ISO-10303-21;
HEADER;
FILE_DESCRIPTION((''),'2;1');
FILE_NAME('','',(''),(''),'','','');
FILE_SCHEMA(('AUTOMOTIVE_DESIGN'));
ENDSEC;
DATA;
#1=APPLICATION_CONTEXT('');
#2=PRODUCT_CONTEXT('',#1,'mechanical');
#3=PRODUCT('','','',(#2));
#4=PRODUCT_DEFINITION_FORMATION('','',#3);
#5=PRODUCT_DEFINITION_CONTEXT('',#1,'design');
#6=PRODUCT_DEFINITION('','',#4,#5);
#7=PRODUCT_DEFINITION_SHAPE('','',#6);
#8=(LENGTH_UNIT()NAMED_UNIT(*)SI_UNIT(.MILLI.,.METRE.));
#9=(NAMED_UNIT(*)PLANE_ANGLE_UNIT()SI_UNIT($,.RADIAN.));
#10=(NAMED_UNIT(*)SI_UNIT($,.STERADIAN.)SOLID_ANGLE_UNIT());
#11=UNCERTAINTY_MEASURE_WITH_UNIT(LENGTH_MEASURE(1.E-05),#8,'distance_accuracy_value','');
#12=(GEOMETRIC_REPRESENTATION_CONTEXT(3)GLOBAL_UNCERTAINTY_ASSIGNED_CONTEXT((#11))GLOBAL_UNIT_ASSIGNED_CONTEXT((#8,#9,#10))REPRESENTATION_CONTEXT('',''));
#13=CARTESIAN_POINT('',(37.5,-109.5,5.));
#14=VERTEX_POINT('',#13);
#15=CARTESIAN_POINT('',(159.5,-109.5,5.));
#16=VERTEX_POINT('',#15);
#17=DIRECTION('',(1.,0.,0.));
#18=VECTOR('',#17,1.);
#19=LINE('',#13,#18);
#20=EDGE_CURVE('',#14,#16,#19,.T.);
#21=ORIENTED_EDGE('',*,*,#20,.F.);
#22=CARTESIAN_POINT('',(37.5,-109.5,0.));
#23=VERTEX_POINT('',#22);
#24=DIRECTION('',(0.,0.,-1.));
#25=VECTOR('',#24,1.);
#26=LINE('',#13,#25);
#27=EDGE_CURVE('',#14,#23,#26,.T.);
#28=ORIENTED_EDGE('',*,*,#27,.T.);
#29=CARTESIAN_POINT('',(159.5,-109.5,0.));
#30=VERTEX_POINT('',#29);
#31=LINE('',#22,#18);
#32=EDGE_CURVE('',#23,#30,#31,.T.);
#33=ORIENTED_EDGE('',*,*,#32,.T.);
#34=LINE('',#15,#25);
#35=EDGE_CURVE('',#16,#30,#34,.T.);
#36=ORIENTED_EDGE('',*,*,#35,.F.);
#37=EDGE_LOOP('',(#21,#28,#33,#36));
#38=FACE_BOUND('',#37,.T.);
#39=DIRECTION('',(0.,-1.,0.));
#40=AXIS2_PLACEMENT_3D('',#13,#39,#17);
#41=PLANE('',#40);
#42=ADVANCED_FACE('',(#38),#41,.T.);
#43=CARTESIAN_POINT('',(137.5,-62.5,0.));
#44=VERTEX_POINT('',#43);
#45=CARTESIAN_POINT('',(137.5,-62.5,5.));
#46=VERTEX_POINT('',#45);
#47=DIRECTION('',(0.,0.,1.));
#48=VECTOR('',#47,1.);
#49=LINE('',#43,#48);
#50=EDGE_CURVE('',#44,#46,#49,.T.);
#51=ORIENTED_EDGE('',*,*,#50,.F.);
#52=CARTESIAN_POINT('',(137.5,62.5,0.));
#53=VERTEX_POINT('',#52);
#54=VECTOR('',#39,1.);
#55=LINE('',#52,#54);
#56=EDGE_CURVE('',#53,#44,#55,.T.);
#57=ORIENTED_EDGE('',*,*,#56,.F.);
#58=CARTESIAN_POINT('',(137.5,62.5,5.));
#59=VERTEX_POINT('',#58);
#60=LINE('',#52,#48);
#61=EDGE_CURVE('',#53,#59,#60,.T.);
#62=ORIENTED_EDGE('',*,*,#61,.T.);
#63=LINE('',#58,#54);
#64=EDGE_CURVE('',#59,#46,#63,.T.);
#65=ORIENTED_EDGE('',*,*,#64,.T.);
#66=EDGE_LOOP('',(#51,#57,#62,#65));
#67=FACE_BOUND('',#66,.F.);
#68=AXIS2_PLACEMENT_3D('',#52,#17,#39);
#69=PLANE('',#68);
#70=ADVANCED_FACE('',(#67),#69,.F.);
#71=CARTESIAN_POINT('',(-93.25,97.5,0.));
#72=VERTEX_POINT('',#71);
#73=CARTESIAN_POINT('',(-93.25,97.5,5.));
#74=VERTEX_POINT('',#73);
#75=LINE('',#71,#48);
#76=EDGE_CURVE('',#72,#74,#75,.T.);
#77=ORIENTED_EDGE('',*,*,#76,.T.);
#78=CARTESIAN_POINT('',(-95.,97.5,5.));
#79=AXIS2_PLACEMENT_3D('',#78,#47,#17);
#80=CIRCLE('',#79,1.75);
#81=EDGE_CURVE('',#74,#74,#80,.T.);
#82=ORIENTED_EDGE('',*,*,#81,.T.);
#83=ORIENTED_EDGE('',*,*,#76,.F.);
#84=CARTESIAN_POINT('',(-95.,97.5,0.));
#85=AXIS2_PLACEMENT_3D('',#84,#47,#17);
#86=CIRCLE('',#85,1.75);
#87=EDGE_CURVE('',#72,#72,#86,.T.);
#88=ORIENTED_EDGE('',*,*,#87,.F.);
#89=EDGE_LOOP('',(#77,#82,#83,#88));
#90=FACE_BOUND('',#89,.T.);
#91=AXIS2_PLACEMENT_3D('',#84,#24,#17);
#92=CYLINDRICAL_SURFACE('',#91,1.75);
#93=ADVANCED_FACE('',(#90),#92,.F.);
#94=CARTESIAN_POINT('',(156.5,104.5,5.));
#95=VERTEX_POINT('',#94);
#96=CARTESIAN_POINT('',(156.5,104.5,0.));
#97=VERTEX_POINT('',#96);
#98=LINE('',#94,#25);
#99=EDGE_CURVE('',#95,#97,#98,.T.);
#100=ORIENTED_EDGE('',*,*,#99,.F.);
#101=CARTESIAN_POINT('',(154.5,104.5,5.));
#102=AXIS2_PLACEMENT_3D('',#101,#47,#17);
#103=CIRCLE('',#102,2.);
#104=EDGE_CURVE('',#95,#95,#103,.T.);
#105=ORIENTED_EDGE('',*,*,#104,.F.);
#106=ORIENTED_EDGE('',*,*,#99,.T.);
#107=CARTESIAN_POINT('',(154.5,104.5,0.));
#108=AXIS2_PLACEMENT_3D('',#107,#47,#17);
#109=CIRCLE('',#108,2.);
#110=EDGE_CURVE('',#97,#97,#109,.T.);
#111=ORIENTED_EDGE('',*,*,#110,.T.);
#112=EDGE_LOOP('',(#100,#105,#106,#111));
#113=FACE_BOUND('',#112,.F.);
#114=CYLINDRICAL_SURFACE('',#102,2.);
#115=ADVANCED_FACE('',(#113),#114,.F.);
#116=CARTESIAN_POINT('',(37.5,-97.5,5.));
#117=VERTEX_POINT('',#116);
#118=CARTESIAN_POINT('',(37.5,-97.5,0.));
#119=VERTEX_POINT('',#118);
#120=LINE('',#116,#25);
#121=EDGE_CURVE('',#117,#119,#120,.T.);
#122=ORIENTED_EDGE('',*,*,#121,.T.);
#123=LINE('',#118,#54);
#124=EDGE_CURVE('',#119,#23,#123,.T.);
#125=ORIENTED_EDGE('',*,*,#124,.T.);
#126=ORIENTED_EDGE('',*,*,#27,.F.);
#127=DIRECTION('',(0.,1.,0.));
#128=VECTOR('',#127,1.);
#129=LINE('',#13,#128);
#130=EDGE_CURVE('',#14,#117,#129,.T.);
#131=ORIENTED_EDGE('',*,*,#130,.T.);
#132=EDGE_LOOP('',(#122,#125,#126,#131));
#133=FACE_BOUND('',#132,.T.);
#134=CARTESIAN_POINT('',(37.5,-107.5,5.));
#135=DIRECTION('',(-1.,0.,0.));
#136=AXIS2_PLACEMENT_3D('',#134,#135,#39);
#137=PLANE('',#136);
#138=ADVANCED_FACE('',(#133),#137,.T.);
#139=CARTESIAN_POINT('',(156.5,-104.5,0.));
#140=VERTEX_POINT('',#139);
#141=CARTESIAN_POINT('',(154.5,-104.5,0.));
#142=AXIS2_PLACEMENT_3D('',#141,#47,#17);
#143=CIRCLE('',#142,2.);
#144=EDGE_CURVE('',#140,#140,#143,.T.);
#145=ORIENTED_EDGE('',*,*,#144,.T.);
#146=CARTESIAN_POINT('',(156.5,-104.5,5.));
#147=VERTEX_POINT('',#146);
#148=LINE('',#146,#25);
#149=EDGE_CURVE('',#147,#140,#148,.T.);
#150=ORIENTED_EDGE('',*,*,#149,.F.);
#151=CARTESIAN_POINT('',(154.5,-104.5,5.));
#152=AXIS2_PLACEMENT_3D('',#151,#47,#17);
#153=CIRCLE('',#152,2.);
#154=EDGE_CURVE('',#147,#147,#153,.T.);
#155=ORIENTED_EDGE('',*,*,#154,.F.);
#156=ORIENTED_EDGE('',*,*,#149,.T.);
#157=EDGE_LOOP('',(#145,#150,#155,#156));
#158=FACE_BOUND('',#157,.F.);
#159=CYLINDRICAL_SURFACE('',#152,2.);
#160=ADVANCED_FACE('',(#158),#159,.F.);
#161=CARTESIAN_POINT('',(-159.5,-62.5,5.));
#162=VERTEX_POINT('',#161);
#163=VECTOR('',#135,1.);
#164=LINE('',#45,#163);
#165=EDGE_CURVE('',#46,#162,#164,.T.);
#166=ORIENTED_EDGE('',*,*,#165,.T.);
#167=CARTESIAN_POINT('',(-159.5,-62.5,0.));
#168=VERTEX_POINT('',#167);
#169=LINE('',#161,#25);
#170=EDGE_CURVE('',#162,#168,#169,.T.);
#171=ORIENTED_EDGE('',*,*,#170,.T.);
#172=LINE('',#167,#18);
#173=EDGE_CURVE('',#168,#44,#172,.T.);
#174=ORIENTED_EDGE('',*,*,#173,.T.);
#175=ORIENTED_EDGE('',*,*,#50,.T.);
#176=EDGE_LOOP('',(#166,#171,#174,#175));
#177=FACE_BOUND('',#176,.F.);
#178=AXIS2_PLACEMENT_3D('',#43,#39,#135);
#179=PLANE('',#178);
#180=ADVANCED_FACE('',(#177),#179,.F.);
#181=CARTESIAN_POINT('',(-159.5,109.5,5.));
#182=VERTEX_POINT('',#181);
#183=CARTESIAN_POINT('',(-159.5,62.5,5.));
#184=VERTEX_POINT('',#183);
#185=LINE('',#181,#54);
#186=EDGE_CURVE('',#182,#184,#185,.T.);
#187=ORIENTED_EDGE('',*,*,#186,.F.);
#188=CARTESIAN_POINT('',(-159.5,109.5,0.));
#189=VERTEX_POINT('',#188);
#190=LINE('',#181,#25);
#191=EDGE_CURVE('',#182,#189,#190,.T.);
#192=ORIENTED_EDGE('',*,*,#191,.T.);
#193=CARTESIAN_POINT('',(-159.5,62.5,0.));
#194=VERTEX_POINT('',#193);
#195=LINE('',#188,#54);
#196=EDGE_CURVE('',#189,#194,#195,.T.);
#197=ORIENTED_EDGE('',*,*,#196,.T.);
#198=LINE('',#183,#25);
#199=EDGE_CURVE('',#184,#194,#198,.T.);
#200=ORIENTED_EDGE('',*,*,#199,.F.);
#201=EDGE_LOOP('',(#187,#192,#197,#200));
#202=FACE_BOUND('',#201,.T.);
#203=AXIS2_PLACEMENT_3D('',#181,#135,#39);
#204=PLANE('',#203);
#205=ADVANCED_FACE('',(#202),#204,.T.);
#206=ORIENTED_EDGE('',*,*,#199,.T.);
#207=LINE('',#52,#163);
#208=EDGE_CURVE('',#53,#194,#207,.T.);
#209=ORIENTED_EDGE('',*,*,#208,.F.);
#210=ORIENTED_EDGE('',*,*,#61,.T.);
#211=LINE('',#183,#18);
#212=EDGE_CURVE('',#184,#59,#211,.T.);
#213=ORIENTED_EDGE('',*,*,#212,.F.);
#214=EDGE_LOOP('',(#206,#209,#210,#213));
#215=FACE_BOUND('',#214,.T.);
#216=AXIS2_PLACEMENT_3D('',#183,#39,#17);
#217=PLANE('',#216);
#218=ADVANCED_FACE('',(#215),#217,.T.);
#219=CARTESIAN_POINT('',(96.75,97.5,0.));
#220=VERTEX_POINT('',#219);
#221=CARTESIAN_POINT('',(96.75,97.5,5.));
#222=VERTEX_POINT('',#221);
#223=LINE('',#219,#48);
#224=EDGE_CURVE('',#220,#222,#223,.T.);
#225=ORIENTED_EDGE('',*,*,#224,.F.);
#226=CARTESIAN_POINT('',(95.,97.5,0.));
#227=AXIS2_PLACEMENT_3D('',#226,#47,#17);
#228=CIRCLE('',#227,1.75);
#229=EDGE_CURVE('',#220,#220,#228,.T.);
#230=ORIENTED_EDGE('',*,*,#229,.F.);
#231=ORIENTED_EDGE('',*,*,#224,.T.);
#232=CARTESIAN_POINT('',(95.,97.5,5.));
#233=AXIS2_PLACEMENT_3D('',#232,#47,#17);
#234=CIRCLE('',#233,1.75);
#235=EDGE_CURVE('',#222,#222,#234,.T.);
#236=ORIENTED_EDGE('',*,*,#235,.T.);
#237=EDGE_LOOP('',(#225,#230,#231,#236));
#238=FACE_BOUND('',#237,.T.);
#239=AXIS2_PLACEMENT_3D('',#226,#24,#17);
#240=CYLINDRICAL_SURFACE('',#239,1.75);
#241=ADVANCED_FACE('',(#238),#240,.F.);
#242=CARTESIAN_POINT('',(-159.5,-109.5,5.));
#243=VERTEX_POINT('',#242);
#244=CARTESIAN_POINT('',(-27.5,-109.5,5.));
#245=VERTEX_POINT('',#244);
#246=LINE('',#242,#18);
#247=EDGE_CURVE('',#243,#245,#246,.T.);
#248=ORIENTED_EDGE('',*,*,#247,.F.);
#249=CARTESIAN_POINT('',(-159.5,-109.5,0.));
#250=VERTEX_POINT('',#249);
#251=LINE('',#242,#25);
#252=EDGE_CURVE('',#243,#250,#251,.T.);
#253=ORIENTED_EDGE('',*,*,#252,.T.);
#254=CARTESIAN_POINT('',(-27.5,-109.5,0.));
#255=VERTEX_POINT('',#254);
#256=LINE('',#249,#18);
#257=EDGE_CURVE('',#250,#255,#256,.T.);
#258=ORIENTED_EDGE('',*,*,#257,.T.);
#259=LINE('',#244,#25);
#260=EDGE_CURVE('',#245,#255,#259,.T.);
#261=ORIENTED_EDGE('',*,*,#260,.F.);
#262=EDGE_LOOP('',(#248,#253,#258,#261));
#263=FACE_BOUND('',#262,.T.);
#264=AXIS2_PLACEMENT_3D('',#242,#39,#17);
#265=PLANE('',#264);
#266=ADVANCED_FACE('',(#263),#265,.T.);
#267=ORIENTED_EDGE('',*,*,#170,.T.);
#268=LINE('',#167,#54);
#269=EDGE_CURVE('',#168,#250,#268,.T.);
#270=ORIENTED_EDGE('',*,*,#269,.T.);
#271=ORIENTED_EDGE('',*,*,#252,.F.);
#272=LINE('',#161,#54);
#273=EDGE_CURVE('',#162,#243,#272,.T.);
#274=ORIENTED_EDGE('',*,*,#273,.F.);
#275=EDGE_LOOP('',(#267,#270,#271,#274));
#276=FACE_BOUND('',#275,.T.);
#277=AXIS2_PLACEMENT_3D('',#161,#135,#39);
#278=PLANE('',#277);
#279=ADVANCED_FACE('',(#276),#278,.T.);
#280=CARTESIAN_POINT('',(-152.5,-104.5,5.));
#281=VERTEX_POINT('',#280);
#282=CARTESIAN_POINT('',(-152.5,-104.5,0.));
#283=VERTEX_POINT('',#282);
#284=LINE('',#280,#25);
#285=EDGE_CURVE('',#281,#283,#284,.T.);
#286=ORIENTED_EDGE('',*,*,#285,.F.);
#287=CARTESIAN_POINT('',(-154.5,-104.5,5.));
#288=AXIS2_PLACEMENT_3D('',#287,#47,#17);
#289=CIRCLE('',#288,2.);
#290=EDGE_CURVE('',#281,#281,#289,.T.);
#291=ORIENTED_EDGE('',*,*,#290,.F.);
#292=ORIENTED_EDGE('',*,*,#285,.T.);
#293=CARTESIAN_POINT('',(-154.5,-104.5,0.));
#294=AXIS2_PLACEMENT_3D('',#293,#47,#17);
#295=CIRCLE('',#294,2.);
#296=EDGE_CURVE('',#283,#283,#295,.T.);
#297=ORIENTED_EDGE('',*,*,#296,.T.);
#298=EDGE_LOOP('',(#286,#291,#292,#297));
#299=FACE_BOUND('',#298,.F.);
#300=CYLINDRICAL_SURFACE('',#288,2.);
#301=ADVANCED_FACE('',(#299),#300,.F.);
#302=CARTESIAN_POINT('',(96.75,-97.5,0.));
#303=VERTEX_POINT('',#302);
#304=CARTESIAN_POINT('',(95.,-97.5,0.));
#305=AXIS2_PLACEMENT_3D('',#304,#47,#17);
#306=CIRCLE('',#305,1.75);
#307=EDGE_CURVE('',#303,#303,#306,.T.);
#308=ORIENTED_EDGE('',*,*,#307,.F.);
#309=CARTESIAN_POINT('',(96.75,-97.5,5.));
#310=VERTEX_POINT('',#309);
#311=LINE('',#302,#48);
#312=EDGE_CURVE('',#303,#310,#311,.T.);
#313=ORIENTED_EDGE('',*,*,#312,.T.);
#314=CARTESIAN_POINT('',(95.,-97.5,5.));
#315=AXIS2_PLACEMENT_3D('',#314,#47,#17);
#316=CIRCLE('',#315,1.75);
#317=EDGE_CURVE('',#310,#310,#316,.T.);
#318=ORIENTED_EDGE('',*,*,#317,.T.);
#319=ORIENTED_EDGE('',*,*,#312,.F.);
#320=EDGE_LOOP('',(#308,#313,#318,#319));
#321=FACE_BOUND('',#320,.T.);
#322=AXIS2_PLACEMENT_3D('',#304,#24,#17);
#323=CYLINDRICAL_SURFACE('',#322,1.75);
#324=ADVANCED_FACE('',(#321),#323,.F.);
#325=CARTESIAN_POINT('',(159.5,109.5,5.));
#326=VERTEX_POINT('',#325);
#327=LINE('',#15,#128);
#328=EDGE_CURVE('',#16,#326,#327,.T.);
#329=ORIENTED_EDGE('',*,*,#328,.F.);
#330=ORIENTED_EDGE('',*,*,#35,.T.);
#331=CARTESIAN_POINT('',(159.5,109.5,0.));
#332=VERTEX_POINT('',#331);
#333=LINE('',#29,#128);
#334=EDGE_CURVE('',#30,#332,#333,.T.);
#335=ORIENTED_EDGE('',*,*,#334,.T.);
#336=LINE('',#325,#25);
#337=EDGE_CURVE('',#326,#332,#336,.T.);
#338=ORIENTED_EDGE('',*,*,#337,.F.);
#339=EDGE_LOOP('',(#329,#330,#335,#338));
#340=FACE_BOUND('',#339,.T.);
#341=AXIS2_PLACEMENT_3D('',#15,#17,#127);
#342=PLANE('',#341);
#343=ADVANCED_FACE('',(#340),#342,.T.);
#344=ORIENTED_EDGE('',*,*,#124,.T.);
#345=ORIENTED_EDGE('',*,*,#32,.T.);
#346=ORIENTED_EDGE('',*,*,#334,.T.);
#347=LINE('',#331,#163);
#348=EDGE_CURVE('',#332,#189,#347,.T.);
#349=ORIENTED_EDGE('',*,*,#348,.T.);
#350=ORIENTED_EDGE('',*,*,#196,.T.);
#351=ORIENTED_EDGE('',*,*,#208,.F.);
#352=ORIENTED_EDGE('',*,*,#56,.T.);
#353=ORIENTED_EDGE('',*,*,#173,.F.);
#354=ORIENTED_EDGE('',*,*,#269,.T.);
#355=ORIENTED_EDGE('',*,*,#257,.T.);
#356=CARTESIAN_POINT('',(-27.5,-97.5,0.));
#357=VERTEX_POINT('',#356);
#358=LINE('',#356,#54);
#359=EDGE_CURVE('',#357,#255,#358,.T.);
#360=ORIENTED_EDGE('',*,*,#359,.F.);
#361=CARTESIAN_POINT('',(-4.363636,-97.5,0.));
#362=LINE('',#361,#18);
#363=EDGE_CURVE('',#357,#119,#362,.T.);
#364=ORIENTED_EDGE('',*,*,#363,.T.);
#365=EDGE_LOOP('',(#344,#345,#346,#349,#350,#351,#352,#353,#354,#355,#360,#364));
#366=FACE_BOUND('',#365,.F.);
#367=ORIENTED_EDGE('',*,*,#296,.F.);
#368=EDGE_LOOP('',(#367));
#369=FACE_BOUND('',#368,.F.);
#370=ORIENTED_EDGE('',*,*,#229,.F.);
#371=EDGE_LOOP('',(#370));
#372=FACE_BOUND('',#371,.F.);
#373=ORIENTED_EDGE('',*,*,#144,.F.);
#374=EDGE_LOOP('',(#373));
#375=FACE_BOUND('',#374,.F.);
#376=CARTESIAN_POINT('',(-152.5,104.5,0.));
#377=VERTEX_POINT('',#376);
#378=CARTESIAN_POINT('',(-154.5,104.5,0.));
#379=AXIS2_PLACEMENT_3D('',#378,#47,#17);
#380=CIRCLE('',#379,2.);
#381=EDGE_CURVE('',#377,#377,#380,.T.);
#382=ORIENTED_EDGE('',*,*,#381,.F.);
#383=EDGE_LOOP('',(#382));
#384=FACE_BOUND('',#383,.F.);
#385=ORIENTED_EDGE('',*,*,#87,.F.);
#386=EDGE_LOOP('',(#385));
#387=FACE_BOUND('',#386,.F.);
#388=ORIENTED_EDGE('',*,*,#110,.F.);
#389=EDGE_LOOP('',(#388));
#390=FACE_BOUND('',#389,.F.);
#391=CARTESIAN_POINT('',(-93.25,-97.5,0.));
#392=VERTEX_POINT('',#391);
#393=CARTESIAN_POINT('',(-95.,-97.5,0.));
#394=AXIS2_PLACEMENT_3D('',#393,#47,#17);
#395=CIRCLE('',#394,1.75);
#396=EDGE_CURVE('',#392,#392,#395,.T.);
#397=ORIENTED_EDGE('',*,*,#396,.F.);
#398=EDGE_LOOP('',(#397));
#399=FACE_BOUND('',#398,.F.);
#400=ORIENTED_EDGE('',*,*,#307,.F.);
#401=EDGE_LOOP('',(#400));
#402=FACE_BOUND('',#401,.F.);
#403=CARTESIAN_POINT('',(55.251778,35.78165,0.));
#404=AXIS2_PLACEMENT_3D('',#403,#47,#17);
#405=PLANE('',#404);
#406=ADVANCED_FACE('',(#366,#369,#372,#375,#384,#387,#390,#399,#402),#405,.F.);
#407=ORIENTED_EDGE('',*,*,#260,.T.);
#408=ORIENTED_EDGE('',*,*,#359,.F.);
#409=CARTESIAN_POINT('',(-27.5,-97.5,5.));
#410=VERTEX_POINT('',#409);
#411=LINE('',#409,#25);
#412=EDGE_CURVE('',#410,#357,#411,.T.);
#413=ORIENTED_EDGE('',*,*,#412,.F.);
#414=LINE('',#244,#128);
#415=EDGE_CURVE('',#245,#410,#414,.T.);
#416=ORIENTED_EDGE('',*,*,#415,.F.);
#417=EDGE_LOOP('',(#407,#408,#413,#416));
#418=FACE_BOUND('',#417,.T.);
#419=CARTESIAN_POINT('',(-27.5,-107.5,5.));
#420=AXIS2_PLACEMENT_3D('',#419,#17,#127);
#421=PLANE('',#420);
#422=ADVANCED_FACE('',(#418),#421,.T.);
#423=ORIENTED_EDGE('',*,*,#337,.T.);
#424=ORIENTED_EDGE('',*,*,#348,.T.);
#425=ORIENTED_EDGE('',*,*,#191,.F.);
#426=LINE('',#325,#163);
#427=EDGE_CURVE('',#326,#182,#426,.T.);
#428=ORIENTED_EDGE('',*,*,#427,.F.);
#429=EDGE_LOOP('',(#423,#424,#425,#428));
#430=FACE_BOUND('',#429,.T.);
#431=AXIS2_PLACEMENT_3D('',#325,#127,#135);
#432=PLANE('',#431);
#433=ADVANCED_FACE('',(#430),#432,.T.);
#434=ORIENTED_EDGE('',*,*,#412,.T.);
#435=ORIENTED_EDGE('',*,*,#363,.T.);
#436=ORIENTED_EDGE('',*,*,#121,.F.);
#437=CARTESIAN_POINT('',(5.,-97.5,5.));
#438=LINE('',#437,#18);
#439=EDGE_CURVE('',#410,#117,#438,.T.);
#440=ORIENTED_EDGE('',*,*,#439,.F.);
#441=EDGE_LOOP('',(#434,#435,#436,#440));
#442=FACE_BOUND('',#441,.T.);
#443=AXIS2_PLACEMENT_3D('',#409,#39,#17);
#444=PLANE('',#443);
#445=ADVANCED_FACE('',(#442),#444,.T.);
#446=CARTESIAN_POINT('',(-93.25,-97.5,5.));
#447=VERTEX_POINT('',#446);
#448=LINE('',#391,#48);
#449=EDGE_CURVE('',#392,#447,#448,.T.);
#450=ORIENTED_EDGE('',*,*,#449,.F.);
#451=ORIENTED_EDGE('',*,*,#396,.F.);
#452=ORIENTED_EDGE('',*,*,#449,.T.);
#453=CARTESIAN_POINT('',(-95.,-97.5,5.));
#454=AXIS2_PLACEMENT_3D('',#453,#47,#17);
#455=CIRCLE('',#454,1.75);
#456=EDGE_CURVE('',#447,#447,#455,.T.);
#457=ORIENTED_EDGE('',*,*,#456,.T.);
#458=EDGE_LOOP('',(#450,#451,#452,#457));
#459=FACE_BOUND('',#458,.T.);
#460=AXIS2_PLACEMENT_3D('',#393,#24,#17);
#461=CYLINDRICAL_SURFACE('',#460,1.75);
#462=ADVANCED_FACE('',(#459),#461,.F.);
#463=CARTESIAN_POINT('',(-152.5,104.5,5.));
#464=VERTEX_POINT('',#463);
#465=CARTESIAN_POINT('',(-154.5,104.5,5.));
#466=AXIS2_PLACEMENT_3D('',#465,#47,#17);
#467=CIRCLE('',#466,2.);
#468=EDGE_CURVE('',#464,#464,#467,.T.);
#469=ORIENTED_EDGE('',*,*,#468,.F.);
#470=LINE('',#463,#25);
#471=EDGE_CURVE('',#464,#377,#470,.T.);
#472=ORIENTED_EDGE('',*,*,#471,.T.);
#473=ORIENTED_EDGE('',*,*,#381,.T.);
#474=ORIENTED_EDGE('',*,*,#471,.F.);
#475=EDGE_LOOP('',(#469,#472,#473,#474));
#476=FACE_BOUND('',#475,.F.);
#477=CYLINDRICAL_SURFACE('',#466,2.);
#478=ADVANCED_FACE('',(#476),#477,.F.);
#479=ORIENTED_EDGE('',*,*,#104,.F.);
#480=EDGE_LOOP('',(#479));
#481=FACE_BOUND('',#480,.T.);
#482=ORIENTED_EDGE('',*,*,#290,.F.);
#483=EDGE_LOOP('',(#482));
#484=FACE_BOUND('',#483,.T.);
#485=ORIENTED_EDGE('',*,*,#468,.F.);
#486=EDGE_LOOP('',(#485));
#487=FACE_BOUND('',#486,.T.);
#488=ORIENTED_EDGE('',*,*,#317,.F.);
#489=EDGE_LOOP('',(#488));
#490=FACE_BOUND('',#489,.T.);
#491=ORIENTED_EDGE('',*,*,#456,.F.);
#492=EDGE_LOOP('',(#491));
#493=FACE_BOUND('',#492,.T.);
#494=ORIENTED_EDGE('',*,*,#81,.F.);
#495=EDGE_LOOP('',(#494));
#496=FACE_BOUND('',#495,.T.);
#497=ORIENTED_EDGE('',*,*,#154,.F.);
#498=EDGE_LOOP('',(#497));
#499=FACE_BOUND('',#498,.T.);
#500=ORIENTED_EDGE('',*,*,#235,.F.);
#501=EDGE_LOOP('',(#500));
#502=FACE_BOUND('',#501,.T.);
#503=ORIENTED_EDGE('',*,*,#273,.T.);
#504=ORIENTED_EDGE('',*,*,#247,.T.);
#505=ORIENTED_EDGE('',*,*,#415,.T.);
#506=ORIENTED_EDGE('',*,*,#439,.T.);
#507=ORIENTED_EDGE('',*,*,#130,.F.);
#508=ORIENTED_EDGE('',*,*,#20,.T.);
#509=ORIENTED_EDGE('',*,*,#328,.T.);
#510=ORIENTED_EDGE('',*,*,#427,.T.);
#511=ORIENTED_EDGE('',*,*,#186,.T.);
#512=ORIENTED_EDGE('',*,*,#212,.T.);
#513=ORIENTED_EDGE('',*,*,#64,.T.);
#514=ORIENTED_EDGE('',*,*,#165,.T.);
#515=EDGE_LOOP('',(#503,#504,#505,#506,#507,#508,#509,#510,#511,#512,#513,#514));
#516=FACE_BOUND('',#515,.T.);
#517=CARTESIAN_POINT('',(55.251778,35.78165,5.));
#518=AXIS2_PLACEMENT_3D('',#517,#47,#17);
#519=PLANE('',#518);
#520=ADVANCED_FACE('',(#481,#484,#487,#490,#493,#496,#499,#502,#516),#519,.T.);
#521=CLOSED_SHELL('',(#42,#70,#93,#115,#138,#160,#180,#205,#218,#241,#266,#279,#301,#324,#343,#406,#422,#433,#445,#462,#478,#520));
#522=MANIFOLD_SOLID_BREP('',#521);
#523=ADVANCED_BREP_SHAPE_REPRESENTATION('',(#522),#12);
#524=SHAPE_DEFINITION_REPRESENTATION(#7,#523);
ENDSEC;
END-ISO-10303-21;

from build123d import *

# Parameters (mm, degrees)
F0_R     = 1.75
F1_DEPTH = 5
F2_R     = 2
F2_W     = 65
F2_H     = 10
F3_DEPTH = 5.001
F5_DEPTH = 5


with BuildPart() as f1:
    # F0 (on Top) → F1 (new body)
    with BuildSketch(Plane.XY):
        Polygon((157.5, 107.5), (-157.5, 107.5), (-157.5, 62.5), (137.5, 62.5), (137.5, -62.5), (-157.5, -62.5), (-157.5, -107.5), (157.5, -107.5), (157.5, -62.5), (157.5, 62.5), align=None)
        with Locations((-95, -97.5)):
            Circle(F0_R, mode=Mode.SUBTRACT)
        with Locations((95, -97.5)):
            Circle(F0_R, mode=Mode.SUBTRACT)
        with Locations((-95, 97.5)):
            Circle(F0_R, mode=Mode.SUBTRACT)
        with Locations((95, 97.5)):
            Circle(F0_R, mode=Mode.SUBTRACT)
    extrude(amount=F1_DEPTH)

    # F2 (on face) → F3 (cut, through all)
    with BuildSketch(Plane.XY.offset(5)):
        with Locations((-154.5, -104.5)):
            Circle(F2_R)
        with Locations((154.5, 274.5)):
            Circle(F2_R)
        with Locations((-59.5786754345, 247.2672616252)):
            Circle(F2_R)
        with Locations((5, -102.5)):
            Rectangle(F2_W, F2_H)
        with Locations((154.5, -104.5)):
            Circle(F2_R)
        with Locations((-154.5, 104.5)):
            Circle(F2_R)
        with Locations((154.5, 104.5)):
            Circle(F2_R)
    extrude(amount=-F3_DEPTH, mode=Mode.SUBTRACT)

    # F4 (on face) → F5 (join, through all)
    with BuildSketch(Plane.XY.offset(5)):
        Polygon((-157.5, 62.5), (-157.5, 107.5), (157.5, 107.5), (157.5, -107.5), (37.5, -107.5), (37.5, -109.5), (159.5, -109.5), (159.5, 109.5), (-159.5, 109.5), (-159.5, 62.5), align=None)
        Polygon((-27.5, -107.5), (-157.5, -107.5), (-157.5, -62.5), (-159.5, -62.5), (-159.5, -109.5), (-27.5, -109.5), align=None)
    extrude(amount=-F5_DEPTH)


solid = f1.part
